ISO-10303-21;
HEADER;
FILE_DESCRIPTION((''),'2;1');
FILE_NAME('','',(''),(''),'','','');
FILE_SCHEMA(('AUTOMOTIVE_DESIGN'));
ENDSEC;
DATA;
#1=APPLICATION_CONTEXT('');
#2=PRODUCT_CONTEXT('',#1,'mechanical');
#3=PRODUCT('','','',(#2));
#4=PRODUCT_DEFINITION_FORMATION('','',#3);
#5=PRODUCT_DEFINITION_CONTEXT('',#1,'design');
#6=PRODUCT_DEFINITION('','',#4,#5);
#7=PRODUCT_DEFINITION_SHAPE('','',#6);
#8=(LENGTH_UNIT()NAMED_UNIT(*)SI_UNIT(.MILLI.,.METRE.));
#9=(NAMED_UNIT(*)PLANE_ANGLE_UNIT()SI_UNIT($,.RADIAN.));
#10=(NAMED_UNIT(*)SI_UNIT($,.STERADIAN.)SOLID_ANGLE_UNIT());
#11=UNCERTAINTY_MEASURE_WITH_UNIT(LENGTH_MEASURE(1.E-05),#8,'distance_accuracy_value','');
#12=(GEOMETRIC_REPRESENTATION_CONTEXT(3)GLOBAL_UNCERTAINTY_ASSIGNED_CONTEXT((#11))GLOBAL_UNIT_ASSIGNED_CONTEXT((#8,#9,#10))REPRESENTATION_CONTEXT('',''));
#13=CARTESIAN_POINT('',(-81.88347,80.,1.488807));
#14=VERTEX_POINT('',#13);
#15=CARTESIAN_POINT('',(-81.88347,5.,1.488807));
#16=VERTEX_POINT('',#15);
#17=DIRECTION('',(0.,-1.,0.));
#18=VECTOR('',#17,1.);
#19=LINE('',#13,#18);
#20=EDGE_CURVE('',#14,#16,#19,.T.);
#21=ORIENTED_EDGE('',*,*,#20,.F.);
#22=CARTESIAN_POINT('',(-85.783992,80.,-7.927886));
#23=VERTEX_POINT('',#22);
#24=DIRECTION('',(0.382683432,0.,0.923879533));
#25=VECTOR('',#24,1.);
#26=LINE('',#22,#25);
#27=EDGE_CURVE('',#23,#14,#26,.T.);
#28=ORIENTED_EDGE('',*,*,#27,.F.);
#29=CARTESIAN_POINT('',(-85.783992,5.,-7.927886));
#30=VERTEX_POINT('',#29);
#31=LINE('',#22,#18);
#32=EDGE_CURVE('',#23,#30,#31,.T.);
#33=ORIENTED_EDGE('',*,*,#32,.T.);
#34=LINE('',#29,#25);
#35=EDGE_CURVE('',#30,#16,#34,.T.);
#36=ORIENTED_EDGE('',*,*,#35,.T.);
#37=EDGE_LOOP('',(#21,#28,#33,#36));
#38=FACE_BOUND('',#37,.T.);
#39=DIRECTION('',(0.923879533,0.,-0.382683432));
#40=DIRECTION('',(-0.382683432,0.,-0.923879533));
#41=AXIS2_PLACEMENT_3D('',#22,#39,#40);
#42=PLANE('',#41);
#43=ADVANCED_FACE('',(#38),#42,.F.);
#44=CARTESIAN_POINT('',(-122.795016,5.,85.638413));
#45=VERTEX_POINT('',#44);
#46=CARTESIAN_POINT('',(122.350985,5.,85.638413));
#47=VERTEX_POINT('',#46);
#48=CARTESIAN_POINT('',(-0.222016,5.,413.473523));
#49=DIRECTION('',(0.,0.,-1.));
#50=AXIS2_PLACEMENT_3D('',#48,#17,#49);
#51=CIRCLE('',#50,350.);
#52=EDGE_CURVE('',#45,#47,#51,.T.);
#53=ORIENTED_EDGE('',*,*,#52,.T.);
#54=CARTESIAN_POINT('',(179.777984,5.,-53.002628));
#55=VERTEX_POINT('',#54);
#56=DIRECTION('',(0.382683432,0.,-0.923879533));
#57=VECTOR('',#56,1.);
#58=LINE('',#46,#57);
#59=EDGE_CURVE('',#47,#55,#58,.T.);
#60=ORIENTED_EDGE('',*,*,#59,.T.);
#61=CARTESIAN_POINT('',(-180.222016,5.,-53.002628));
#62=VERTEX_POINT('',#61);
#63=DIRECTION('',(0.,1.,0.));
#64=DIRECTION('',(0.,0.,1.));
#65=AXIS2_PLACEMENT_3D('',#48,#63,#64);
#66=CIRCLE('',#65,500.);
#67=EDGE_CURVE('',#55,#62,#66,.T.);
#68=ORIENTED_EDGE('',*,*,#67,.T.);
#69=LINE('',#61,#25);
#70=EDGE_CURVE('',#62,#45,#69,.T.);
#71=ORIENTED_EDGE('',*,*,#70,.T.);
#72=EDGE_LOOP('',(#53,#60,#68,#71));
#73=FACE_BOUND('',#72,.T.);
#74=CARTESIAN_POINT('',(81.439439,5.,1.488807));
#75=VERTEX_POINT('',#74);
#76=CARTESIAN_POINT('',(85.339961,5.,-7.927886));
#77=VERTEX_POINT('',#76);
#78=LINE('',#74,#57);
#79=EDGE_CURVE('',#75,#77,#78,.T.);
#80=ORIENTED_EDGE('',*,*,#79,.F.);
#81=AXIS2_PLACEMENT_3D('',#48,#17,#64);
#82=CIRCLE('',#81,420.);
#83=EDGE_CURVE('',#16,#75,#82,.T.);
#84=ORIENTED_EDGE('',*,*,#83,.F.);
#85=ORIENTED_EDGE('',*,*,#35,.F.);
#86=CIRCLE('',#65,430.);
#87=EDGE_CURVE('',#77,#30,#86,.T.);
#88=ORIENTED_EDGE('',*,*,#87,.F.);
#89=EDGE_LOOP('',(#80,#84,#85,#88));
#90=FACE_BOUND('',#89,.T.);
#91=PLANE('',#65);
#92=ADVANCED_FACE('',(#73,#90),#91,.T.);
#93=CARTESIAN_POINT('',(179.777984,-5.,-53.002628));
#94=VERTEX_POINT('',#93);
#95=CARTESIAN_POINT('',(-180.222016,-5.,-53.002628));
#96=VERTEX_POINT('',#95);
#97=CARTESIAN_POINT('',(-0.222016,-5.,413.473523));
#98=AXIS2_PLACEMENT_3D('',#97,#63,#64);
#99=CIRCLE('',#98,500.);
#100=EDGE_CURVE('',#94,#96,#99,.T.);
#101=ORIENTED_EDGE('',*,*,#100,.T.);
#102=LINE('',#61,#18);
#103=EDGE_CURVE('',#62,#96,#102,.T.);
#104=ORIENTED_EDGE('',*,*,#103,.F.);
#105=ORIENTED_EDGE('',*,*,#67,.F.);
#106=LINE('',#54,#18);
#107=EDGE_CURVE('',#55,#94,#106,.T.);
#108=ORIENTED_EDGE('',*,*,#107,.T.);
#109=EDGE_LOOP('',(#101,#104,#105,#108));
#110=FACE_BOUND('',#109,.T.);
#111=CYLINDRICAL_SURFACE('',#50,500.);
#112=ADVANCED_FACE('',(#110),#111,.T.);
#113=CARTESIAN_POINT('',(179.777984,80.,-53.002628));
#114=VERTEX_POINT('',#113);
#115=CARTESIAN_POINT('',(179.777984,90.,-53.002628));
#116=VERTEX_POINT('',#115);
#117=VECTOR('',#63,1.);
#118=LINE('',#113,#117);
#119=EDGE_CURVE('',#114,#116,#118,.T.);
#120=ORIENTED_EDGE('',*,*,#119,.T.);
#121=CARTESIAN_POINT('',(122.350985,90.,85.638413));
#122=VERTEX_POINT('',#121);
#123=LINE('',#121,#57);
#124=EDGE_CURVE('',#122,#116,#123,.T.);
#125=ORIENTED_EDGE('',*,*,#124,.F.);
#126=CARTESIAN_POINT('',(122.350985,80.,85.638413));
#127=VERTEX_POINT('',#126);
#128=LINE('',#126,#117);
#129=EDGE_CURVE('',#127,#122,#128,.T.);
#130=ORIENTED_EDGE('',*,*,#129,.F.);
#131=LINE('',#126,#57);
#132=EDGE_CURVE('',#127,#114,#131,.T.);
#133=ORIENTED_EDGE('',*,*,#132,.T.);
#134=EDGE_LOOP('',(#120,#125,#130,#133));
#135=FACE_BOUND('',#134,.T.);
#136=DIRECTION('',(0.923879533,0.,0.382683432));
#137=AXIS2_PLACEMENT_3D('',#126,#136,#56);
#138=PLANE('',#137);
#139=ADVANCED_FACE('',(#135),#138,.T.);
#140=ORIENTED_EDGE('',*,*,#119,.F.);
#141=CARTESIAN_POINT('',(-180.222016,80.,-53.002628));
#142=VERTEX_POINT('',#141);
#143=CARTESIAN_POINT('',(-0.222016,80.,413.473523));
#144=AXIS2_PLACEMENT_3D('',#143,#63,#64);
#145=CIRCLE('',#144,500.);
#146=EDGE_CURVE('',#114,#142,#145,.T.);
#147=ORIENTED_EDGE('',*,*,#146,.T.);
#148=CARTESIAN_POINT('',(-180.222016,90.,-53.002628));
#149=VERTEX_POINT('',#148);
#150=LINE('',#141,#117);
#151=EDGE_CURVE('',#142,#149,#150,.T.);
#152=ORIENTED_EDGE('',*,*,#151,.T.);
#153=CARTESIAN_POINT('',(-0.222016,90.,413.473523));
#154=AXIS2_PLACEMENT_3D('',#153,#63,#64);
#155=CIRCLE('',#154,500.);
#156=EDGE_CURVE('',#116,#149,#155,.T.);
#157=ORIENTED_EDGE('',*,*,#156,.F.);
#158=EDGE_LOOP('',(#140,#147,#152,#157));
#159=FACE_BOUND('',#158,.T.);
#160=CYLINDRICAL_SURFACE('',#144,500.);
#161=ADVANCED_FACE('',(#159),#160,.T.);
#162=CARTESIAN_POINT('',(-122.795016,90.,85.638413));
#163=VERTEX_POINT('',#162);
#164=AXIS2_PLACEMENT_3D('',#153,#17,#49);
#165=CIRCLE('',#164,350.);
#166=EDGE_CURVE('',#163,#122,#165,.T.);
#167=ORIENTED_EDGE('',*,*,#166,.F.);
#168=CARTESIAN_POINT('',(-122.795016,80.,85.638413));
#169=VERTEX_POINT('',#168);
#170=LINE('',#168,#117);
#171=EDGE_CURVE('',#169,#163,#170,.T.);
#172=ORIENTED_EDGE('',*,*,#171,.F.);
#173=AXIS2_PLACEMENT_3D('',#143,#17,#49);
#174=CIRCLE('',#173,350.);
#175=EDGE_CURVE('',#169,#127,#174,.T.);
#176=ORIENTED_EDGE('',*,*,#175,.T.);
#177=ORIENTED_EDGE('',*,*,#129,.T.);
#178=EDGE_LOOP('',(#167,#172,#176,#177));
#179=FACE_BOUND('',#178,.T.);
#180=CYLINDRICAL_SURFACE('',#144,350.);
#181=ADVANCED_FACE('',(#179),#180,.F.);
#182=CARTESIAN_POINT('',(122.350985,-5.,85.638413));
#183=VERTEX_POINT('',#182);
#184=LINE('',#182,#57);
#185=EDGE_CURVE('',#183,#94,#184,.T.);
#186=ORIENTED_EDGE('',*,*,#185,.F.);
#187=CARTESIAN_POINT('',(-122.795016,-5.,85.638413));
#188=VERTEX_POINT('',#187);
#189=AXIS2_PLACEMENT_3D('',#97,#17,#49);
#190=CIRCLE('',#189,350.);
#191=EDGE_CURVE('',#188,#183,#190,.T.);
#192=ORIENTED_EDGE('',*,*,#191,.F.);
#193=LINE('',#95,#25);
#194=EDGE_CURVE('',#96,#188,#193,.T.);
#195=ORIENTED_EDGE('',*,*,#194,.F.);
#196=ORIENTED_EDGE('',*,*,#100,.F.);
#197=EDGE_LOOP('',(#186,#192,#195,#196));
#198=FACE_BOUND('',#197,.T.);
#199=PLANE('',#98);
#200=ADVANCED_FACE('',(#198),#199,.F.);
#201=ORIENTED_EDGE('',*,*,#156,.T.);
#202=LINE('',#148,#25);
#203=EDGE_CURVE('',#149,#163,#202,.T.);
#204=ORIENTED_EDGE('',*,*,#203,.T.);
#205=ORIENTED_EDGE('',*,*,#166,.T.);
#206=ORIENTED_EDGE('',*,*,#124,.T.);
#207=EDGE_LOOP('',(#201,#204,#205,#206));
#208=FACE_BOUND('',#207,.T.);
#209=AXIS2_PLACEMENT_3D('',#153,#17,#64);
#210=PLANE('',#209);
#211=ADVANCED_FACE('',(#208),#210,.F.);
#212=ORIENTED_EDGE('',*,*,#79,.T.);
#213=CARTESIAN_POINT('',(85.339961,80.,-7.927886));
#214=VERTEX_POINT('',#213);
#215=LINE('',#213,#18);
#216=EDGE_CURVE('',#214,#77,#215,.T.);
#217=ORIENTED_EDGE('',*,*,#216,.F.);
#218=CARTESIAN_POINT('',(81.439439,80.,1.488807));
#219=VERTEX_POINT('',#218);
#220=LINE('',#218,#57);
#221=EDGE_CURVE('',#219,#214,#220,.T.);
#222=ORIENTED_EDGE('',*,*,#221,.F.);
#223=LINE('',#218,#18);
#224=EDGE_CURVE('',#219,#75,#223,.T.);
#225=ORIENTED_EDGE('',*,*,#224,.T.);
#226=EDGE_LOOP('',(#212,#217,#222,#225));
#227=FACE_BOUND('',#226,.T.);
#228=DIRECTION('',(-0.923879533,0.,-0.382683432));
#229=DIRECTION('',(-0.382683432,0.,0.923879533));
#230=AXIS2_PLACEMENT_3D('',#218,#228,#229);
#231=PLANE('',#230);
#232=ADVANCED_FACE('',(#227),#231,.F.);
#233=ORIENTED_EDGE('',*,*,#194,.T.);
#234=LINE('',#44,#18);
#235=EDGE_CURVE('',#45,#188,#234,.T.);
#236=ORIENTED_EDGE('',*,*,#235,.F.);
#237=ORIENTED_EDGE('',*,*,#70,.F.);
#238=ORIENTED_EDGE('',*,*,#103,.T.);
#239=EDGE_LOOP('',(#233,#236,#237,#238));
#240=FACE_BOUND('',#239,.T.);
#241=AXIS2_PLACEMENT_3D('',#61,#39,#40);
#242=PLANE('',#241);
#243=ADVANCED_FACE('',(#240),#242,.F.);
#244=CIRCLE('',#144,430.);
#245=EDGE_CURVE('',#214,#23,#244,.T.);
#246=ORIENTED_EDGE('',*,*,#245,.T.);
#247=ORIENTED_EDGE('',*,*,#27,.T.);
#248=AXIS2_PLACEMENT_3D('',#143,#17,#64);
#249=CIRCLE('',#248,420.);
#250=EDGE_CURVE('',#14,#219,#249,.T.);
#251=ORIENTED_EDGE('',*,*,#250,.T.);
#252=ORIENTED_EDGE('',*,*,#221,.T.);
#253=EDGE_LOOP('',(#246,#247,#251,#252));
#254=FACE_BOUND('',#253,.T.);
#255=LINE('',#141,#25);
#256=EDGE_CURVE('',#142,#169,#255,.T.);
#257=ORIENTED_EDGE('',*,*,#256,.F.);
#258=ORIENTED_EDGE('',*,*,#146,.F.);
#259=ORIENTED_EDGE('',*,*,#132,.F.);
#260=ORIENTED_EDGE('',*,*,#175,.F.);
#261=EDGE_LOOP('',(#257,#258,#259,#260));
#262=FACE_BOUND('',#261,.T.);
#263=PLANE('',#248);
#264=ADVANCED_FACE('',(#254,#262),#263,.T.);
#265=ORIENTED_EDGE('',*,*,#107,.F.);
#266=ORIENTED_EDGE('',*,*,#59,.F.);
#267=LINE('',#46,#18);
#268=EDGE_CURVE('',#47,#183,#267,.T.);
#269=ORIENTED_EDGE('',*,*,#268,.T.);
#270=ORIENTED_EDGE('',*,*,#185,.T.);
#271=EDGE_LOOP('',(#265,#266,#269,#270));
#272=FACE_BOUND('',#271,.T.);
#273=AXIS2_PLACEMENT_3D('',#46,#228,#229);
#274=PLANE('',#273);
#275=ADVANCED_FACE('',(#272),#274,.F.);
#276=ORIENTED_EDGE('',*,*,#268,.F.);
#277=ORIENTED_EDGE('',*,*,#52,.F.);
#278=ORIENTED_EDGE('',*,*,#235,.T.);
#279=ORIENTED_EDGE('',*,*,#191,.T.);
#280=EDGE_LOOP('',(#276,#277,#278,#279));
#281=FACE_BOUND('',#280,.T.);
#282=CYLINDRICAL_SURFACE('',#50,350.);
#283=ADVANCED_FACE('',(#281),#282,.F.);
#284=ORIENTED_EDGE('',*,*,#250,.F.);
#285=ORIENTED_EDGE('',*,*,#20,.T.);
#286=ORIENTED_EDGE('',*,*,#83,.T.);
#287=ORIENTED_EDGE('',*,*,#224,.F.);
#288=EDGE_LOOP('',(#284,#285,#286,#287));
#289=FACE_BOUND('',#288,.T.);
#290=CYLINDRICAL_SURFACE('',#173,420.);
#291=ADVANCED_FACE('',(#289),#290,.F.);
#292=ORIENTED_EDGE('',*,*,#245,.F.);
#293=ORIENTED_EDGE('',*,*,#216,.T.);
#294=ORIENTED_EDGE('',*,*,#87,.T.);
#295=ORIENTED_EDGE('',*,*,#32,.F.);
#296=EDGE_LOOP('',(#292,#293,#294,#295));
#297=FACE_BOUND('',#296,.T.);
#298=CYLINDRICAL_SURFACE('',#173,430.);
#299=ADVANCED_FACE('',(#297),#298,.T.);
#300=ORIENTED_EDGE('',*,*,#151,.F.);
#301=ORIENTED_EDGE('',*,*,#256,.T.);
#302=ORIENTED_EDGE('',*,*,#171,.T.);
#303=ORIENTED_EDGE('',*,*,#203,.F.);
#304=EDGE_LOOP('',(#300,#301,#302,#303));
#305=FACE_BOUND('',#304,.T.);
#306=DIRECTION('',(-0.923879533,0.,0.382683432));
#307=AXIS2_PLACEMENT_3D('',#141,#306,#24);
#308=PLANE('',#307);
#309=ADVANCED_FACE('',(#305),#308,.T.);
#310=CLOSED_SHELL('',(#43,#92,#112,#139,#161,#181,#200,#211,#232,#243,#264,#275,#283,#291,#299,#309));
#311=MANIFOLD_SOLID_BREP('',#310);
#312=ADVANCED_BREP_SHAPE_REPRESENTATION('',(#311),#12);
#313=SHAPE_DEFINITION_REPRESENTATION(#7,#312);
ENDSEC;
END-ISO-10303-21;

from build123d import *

# Parameters (mm, degrees)
BOSS_EXTRUDE1_DEPTH = 5
BOSS_EXTRUDE2_DEPTH = 75


with BuildPart() as part:
    # Sketch1 → Boss-Extrude1 (new, symmetric)
    with BuildSketch(Plane(origin=(0, 0, 0), x_dir=(1, 0, 0), z_dir=(0, 1, 0))):
        with BuildLine():
            Line((-180.222015843, 53.002628104), (-122.795016255, -85.638413146))
            ThreePointArc((-122.795016255, -85.638413146), (-0.222015843, -63.473523483), (122.35098457, -85.638413146))
            Line((122.35098457, -85.638413146), (179.777984157, 53.002628104))
            ThreePointArc((179.777984157, 53.002628104), (-0.222015843, 86.526476517), (-180.222015843, 53.002628104))
        make_face()
    boss_extrude1 = extrude(amount=BOSS_EXTRUDE1_DEPTH, both=True)

    # Sketch2 → Boss-Extrude2 (add)
    with BuildSketch(Plane(origin=(0, 5, 0), x_dir=(1, 0, 0), z_dir=(0, 1, 0))):
        with BuildLine():
            Line((-85.783992443, 7.927886292), (-81.883470475, -1.488806743))
            ThreePointArc((-81.883470475, -1.488806743), (-0.222015843, 6.526476517), (81.43943879, -1.488806743))
            Line((81.43943879, -1.488806743), (85.339960758, 7.927886292))
            ThreePointArc((85.339960758, 7.927886292), (-0.222015843, 16.526476517), (-85.783992443, 7.927886292))
        make_face()
    extrude(amount=BOSS_EXTRUDE2_DEPTH)

    # Mirror1: Boss-Extrude1 across plane
    add(boss_extrude1.mirror(Plane.ZX.offset(42.5)))


solid = part.part
